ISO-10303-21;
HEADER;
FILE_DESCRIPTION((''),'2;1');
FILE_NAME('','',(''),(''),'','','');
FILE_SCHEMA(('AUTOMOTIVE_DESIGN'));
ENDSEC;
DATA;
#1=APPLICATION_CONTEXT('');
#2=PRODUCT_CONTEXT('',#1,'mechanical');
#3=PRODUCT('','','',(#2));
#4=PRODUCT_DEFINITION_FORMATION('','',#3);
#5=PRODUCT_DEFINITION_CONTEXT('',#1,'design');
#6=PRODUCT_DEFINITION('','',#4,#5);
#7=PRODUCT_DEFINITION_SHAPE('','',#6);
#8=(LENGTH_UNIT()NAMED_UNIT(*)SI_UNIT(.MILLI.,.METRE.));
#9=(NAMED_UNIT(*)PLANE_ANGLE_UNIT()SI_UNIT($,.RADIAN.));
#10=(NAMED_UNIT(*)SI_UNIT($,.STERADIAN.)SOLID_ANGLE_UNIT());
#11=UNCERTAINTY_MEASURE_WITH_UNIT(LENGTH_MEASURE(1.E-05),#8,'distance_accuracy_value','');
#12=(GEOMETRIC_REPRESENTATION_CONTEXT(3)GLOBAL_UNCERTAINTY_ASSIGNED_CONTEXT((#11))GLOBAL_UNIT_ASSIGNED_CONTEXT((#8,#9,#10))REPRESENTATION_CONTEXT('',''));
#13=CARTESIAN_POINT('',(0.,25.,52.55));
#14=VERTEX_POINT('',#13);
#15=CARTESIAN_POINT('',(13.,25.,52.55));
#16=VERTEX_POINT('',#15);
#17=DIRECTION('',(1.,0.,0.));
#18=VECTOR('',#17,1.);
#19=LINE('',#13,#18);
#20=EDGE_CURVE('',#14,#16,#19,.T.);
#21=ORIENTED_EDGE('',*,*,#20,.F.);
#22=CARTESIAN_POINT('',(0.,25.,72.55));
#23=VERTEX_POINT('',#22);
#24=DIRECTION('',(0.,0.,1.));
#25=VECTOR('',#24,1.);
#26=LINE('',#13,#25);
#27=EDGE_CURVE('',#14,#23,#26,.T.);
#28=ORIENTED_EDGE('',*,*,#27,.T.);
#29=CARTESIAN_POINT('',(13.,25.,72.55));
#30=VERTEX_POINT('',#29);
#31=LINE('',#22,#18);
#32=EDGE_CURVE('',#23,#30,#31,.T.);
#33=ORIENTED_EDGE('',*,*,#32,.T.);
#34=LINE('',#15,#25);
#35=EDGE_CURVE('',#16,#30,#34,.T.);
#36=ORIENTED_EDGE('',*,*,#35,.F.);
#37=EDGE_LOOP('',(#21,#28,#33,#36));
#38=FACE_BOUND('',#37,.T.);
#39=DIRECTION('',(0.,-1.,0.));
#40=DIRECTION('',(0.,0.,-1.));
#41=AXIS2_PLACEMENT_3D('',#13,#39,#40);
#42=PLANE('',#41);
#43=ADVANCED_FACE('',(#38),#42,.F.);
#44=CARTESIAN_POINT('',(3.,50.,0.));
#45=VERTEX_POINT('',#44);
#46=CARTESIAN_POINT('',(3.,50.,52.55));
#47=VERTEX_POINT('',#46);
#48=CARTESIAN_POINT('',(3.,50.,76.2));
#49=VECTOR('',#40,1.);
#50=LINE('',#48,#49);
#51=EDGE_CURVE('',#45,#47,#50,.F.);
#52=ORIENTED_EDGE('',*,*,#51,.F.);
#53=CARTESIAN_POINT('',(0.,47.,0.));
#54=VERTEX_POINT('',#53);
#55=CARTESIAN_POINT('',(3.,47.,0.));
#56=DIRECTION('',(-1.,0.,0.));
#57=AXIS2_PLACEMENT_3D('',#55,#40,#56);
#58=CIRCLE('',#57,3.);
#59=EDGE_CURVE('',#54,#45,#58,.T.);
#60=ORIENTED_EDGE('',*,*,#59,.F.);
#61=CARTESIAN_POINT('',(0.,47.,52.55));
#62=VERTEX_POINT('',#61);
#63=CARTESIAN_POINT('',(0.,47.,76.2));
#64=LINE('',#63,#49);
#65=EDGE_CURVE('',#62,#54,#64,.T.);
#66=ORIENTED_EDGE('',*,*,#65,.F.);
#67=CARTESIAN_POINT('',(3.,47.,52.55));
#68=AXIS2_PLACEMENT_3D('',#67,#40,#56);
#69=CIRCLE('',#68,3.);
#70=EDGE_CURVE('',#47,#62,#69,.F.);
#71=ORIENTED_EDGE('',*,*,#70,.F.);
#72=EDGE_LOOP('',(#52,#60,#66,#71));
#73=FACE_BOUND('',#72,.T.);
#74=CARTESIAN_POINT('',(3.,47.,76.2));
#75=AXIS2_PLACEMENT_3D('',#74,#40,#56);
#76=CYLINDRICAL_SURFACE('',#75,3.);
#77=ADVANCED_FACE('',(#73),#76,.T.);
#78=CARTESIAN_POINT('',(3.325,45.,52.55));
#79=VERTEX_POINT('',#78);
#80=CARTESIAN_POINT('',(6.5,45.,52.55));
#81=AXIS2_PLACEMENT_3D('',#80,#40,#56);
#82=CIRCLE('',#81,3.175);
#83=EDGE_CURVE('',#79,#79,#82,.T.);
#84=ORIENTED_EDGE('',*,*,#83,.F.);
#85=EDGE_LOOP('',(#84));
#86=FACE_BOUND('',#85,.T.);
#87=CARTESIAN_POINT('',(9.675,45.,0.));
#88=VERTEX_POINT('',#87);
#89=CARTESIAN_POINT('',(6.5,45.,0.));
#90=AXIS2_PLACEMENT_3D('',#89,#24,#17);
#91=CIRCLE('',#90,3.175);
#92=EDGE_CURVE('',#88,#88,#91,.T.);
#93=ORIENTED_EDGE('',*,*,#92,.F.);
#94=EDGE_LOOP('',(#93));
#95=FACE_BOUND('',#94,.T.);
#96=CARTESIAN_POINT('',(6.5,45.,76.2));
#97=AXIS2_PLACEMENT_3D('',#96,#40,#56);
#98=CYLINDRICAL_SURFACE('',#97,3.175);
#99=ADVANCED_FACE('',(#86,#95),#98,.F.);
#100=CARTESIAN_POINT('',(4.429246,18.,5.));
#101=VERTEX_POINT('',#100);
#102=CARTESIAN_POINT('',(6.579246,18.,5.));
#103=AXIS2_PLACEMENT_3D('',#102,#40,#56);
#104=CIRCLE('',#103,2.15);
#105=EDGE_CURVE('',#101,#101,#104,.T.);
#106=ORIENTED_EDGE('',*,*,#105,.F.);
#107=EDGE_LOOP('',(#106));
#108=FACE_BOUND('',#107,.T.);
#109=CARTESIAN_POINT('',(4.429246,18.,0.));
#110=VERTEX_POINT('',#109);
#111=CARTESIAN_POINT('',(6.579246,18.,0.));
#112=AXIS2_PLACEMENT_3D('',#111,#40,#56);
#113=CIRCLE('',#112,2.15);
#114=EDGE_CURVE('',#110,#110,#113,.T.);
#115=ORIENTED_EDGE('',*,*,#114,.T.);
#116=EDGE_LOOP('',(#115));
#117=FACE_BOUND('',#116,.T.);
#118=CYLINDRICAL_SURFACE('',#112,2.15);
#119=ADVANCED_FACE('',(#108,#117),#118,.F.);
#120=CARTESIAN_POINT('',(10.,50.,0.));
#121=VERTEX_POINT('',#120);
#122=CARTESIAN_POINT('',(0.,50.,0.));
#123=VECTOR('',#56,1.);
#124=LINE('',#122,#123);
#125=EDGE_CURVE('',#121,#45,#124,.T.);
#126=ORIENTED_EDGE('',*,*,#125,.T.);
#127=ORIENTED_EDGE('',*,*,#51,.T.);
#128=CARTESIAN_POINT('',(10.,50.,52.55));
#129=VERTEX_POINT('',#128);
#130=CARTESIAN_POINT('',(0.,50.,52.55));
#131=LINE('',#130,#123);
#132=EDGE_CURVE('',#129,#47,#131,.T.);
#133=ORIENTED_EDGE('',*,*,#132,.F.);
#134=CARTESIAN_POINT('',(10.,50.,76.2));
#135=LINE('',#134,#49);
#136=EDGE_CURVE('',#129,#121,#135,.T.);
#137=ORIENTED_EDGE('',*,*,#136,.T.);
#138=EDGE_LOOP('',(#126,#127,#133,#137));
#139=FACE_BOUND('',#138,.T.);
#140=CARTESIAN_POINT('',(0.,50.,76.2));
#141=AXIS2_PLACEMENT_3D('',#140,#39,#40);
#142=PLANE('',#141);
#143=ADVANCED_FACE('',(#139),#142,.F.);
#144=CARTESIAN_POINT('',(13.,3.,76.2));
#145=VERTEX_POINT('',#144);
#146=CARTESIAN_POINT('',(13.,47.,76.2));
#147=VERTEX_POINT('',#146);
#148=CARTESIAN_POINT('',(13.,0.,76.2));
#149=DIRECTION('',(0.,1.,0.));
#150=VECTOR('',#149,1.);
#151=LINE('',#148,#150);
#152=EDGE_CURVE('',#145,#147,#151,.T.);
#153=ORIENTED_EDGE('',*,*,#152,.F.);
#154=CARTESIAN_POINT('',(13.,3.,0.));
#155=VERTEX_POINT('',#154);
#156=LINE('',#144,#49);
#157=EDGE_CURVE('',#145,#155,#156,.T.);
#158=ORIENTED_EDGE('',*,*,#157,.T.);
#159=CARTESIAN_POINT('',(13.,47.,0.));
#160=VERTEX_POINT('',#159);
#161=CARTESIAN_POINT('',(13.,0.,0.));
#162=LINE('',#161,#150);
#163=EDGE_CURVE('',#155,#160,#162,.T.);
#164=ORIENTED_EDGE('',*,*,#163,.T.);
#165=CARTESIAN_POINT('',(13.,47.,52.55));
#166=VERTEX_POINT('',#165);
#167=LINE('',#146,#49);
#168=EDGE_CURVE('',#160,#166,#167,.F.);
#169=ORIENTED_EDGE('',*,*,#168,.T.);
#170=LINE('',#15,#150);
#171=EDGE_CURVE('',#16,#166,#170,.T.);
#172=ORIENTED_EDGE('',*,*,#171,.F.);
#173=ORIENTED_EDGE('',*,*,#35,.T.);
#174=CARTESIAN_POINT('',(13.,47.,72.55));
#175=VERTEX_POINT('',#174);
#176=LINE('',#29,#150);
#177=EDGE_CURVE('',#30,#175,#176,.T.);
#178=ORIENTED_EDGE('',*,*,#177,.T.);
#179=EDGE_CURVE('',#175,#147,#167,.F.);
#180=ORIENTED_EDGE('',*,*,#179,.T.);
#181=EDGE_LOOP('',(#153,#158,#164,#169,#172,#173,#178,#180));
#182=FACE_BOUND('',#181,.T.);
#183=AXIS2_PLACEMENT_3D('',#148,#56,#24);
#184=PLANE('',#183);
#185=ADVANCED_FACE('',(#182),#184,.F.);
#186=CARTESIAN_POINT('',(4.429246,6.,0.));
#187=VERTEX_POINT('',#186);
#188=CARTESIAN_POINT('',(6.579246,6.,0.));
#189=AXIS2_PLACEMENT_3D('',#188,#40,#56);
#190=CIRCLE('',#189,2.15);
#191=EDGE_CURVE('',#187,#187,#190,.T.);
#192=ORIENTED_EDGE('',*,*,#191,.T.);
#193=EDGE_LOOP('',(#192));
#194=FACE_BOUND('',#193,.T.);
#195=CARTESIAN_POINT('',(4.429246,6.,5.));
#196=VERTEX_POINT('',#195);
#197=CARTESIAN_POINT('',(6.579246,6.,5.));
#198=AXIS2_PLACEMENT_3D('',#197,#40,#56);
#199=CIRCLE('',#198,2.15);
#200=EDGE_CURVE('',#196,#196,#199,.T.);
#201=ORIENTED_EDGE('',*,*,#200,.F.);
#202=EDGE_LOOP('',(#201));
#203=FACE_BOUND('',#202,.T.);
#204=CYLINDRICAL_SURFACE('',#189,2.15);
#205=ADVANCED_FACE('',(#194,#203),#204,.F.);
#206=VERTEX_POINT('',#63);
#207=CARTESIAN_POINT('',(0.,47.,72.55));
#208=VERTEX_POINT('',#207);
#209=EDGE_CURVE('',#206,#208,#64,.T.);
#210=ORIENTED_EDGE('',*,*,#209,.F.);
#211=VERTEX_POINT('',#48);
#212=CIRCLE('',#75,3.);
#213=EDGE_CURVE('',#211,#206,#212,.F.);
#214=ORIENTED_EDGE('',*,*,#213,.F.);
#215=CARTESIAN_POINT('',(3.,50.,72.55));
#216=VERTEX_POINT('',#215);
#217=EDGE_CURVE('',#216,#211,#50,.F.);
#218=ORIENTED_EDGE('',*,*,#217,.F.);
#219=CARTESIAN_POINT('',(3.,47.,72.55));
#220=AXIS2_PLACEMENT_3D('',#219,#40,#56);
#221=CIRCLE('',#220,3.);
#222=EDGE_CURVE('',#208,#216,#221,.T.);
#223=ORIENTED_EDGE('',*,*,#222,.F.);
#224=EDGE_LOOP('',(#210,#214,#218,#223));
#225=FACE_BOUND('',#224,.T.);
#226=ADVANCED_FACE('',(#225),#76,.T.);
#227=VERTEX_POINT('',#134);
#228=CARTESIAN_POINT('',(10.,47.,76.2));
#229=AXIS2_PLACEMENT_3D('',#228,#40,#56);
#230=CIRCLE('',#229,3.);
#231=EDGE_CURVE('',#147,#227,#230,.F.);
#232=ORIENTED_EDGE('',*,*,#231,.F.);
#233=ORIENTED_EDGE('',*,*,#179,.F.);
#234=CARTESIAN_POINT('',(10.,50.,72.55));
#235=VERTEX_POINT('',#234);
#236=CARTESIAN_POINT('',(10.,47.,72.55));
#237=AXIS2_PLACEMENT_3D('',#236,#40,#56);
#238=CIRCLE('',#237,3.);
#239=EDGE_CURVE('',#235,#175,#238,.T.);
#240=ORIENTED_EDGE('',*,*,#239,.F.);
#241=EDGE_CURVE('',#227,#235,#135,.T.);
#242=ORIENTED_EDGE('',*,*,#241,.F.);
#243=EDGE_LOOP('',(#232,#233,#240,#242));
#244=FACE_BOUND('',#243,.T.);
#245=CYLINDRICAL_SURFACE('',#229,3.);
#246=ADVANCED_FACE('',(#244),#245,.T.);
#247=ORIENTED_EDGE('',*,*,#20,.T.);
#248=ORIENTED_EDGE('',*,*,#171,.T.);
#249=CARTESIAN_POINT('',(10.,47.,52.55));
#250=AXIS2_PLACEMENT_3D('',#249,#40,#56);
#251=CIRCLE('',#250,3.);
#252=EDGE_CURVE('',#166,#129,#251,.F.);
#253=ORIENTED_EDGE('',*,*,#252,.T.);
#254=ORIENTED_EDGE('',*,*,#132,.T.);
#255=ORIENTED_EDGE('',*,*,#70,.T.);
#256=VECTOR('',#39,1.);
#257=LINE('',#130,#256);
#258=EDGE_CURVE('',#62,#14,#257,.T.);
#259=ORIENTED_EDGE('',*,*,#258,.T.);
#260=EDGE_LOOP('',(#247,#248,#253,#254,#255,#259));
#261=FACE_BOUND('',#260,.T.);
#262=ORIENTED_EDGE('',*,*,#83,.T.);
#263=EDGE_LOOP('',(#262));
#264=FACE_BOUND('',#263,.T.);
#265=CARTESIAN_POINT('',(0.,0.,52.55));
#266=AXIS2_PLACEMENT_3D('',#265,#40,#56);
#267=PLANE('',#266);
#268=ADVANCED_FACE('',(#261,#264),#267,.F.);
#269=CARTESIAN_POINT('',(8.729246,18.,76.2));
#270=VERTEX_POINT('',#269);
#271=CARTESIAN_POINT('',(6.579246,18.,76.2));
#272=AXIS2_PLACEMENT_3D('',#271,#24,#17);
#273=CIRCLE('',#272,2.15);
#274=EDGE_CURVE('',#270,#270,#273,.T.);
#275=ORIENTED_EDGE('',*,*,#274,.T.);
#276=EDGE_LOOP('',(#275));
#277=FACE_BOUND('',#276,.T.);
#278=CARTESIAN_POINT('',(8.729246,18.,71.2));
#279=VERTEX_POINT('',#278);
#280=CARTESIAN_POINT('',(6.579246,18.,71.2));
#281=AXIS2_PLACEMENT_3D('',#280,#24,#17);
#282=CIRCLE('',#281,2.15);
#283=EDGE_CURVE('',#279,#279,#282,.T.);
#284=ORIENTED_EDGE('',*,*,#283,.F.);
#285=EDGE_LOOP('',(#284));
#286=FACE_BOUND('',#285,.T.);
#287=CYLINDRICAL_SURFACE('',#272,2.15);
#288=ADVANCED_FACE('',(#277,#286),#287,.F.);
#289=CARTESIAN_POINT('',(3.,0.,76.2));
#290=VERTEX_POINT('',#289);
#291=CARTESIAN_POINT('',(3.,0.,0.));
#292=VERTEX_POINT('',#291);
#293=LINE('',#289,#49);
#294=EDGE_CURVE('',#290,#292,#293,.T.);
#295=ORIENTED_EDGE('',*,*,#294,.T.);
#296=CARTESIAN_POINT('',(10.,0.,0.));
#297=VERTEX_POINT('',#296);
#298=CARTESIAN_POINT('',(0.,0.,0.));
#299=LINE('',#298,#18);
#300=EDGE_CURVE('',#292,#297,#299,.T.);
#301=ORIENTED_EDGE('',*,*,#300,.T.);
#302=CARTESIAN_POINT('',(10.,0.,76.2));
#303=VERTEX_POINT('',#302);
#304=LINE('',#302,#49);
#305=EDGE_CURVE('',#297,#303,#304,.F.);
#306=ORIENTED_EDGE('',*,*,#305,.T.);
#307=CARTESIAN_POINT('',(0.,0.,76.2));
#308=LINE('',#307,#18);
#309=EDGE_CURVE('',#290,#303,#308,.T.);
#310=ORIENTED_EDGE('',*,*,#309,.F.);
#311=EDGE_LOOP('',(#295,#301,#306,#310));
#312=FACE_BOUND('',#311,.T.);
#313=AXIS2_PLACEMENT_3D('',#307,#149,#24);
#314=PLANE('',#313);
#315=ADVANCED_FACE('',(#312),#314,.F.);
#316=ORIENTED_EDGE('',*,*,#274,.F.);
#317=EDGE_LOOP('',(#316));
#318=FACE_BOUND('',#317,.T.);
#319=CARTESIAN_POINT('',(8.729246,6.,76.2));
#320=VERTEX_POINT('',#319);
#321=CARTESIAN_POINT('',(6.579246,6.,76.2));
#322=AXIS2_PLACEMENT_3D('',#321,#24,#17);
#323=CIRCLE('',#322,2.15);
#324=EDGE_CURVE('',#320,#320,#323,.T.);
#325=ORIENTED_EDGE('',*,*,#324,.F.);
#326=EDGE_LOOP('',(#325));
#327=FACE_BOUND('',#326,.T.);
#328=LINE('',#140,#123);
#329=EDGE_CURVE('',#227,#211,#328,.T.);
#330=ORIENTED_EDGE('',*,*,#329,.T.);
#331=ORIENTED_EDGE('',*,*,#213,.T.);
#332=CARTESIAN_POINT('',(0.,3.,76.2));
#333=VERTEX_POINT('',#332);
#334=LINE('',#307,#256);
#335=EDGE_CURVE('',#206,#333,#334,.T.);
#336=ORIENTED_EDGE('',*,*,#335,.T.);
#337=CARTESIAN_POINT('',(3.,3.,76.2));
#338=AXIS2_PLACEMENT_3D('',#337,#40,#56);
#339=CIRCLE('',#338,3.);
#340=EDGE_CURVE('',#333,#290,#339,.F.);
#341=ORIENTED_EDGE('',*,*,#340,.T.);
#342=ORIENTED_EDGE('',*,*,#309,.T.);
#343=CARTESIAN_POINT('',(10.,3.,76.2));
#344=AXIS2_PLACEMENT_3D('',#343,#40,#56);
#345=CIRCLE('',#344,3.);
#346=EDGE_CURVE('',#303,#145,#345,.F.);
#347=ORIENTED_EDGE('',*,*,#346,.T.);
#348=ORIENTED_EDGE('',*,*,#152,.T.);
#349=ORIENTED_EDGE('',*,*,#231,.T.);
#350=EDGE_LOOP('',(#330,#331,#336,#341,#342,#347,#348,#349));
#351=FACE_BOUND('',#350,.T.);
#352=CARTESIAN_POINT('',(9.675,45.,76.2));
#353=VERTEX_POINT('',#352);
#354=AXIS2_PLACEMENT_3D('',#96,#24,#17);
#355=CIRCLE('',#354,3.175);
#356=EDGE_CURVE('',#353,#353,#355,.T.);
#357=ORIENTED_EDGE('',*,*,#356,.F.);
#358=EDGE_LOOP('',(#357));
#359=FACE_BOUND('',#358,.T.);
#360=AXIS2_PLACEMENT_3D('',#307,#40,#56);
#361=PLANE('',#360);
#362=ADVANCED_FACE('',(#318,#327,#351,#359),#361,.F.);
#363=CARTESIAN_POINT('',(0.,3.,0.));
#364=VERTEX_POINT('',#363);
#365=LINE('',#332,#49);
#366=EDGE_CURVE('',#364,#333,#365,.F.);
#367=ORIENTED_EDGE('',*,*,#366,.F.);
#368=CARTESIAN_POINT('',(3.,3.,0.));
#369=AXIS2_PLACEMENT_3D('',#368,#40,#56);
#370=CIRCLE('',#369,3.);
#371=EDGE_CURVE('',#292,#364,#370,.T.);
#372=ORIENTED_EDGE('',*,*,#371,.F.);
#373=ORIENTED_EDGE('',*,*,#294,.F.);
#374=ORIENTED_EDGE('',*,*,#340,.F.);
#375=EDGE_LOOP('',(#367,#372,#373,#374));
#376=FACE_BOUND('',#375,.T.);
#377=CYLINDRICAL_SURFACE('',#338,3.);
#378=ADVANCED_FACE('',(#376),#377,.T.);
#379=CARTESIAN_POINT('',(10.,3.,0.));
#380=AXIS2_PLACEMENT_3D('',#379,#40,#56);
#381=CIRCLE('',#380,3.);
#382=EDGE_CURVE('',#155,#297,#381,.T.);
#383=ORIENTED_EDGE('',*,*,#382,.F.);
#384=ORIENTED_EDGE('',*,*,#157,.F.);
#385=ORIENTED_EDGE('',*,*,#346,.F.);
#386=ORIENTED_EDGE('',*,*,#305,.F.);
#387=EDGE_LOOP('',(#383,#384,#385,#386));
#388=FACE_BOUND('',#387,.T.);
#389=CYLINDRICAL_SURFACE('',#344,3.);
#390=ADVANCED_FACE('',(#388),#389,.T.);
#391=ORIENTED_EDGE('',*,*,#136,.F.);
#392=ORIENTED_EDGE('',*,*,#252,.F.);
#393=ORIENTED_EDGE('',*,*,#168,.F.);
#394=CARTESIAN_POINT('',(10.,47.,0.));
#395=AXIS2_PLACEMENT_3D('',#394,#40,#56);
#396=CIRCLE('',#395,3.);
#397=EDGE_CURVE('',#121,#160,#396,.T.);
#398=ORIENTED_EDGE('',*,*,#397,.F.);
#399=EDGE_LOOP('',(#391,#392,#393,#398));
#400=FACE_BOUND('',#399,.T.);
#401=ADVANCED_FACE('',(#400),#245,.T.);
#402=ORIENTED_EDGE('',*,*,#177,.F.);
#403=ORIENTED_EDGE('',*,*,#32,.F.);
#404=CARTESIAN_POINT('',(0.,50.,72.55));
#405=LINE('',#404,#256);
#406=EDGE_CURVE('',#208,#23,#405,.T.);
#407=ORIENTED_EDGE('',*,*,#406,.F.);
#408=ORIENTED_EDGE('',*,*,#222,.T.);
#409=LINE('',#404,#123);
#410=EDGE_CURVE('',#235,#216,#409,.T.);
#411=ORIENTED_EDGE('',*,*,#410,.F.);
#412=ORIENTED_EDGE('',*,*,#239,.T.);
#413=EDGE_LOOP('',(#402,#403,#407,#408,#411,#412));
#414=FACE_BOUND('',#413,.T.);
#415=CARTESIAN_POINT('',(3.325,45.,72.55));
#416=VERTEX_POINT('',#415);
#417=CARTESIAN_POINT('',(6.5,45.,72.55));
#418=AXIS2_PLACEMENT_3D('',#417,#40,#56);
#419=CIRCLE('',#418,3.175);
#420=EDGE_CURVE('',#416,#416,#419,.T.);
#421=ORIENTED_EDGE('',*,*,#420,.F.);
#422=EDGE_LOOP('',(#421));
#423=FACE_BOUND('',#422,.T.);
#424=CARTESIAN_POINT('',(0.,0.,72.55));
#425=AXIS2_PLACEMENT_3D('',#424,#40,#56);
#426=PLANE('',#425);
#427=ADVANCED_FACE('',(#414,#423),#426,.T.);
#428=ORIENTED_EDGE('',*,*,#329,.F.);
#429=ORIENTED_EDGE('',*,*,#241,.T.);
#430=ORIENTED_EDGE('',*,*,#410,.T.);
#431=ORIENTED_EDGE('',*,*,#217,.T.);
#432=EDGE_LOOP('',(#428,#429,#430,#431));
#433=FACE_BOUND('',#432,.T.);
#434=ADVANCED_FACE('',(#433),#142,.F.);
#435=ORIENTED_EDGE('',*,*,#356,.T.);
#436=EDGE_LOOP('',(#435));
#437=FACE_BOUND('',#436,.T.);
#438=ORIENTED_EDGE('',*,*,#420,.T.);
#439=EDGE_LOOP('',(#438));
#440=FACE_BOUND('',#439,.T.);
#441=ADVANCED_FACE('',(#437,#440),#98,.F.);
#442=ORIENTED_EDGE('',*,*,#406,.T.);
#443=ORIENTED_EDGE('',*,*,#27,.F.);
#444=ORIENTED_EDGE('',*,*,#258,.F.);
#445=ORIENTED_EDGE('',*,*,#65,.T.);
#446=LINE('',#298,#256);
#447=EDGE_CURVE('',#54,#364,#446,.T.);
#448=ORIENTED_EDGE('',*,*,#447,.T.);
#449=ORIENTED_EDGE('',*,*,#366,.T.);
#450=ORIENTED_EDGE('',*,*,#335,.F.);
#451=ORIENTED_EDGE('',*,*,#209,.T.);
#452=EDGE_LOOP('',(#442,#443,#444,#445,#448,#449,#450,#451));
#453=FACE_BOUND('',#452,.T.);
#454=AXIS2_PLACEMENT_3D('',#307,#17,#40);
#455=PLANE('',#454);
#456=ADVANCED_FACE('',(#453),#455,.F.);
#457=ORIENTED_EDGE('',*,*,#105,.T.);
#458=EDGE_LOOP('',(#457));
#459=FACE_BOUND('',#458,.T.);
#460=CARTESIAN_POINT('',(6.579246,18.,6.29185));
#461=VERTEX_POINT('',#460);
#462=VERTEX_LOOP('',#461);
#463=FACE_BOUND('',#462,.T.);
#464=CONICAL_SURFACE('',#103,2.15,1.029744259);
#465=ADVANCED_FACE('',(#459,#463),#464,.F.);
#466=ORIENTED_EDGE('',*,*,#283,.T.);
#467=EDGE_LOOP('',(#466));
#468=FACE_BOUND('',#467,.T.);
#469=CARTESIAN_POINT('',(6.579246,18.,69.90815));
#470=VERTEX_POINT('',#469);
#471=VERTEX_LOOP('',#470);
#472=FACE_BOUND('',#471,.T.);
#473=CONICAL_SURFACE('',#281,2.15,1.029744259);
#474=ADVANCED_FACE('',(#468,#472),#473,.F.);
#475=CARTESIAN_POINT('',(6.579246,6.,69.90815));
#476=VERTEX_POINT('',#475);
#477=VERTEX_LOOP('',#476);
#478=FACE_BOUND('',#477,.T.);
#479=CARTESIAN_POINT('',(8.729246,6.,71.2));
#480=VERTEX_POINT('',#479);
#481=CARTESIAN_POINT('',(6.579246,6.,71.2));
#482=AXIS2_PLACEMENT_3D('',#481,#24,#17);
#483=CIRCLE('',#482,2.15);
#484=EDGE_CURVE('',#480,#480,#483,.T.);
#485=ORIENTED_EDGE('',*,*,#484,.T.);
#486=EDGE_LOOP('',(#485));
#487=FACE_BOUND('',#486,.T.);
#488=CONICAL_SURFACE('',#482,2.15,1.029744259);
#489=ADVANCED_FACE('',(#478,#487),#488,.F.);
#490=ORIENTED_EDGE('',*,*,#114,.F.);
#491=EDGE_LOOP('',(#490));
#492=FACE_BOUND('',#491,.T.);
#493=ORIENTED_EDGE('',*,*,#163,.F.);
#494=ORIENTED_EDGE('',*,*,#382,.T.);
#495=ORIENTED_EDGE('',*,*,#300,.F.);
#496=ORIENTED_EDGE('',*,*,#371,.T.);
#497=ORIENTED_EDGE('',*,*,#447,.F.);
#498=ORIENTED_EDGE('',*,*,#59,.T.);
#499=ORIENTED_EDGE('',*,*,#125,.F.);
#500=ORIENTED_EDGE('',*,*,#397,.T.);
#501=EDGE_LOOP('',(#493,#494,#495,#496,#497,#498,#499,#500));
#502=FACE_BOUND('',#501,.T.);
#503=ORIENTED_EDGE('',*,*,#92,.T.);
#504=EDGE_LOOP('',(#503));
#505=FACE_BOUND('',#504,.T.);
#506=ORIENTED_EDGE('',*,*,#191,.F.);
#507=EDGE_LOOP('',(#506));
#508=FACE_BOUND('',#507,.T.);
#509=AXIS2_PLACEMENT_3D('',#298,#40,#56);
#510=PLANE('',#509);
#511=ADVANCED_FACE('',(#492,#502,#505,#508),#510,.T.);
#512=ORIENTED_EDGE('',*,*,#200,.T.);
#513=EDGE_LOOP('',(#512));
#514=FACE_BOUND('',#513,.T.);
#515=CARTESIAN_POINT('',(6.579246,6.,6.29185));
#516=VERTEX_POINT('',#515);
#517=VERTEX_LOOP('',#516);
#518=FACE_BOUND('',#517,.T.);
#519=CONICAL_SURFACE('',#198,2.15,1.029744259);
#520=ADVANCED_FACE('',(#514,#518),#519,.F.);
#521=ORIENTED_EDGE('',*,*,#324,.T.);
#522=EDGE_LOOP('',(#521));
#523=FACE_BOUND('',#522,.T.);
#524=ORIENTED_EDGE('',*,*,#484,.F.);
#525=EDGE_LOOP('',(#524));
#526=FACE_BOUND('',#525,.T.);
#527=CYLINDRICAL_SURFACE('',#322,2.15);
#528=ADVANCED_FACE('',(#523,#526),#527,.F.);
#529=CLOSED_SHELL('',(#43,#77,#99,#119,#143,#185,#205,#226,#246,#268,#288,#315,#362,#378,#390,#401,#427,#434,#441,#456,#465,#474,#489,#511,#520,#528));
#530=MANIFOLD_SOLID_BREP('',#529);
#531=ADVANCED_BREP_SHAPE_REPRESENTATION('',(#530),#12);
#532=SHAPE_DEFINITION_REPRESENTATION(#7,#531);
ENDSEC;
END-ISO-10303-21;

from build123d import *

# Parameters (mm, degrees)
SKETCH1_W                = 13
SKETCH1_H                = 50
SKETCH1_R                = 3.175
BOSS_EXTRUDE1_DEPTH      = 76.2
SKETCH2_W                = 13
SKETCH2_H                = 25
CUT_EXTRUDE1_DEPTH       = 10
M4_CLEARANCE_HOLE1_D     = 4.3
M4_CLEARANCE_HOLE1_DEPTH = 5
M4_CLEARANCE_HOLE1_TIP   = 1.291850331
M4_CLEARANCE_HOLE2_D     = 4.3
M4_CLEARANCE_HOLE2_DEPTH = 5
M4_CLEARANCE_HOLE2_TIP   = 1.291850331
FILLET1_R                = 3


with BuildPart() as part:
    # Sketch1 → Boss-Extrude1 (new body)
    with BuildSketch(Plane.XY):
        with Locations((6.5, 25)):
            Rectangle(SKETCH1_W, SKETCH1_H)
        with Locations((6.5, 45)):
            Circle(SKETCH1_R, mode=Mode.SUBTRACT)
    extrude(amount=BOSS_EXTRUDE1_DEPTH)

    # Sketch2 → Cut-Extrude1 (cut, symmetric)
    with BuildSketch(Plane.XY.offset(62.55)):
        with Locations((6.5, 37.5)):
            Rectangle(SKETCH2_W, SKETCH2_H)
    extrude(amount=CUT_EXTRUDE1_DEPTH, both=True, mode=Mode.SUBTRACT)

    # M4 Clearance Hole1
    with Locations(Plane(origin=(0, 0, 0), x_dir=(-1, 0, 0), z_dir=(0, 0, -1))):
        with Locations((-6.579246302, 18), (-6.579246302, 6)):
            Hole(M4_CLEARANCE_HOLE1_D / 2, depth=M4_CLEARANCE_HOLE1_DEPTH)
            with Locations((0, 0, -(M4_CLEARANCE_HOLE1_DEPTH + M4_CLEARANCE_HOLE1_TIP / 2))):  # 118° drill point
                Cone(0, M4_CLEARANCE_HOLE1_D / 2, M4_CLEARANCE_HOLE1_TIP, mode=Mode.SUBTRACT)

    # M4 Clearance Hole2
    with Locations(Plane.XY.offset(76.2)):
        with Locations((6.579246302, 18), (6.579246302, 6)):
            Hole(M4_CLEARANCE_HOLE2_D / 2, depth=M4_CLEARANCE_HOLE2_DEPTH)
            with Locations((0, 0, -(M4_CLEARANCE_HOLE2_DEPTH + M4_CLEARANCE_HOLE2_TIP / 2))):  # 118° drill point
                Cone(0, M4_CLEARANCE_HOLE2_D / 2, M4_CLEARANCE_HOLE2_TIP, mode=Mode.SUBTRACT)

    # Fillet1
    fillet1_edges = [part.edges().sort_by_distance(p)[0] for p in [
        (0, 50, 26.275),
        (13, 50, 26.275),
        (0, 50, 74.375),
        (13, 50, 74.375),
        (13, 0, 38.1),
        (0, 0, 38.1),
    ]]
    fillet(fillet1_edges, radius=FILLET1_R)


solid = part.part
